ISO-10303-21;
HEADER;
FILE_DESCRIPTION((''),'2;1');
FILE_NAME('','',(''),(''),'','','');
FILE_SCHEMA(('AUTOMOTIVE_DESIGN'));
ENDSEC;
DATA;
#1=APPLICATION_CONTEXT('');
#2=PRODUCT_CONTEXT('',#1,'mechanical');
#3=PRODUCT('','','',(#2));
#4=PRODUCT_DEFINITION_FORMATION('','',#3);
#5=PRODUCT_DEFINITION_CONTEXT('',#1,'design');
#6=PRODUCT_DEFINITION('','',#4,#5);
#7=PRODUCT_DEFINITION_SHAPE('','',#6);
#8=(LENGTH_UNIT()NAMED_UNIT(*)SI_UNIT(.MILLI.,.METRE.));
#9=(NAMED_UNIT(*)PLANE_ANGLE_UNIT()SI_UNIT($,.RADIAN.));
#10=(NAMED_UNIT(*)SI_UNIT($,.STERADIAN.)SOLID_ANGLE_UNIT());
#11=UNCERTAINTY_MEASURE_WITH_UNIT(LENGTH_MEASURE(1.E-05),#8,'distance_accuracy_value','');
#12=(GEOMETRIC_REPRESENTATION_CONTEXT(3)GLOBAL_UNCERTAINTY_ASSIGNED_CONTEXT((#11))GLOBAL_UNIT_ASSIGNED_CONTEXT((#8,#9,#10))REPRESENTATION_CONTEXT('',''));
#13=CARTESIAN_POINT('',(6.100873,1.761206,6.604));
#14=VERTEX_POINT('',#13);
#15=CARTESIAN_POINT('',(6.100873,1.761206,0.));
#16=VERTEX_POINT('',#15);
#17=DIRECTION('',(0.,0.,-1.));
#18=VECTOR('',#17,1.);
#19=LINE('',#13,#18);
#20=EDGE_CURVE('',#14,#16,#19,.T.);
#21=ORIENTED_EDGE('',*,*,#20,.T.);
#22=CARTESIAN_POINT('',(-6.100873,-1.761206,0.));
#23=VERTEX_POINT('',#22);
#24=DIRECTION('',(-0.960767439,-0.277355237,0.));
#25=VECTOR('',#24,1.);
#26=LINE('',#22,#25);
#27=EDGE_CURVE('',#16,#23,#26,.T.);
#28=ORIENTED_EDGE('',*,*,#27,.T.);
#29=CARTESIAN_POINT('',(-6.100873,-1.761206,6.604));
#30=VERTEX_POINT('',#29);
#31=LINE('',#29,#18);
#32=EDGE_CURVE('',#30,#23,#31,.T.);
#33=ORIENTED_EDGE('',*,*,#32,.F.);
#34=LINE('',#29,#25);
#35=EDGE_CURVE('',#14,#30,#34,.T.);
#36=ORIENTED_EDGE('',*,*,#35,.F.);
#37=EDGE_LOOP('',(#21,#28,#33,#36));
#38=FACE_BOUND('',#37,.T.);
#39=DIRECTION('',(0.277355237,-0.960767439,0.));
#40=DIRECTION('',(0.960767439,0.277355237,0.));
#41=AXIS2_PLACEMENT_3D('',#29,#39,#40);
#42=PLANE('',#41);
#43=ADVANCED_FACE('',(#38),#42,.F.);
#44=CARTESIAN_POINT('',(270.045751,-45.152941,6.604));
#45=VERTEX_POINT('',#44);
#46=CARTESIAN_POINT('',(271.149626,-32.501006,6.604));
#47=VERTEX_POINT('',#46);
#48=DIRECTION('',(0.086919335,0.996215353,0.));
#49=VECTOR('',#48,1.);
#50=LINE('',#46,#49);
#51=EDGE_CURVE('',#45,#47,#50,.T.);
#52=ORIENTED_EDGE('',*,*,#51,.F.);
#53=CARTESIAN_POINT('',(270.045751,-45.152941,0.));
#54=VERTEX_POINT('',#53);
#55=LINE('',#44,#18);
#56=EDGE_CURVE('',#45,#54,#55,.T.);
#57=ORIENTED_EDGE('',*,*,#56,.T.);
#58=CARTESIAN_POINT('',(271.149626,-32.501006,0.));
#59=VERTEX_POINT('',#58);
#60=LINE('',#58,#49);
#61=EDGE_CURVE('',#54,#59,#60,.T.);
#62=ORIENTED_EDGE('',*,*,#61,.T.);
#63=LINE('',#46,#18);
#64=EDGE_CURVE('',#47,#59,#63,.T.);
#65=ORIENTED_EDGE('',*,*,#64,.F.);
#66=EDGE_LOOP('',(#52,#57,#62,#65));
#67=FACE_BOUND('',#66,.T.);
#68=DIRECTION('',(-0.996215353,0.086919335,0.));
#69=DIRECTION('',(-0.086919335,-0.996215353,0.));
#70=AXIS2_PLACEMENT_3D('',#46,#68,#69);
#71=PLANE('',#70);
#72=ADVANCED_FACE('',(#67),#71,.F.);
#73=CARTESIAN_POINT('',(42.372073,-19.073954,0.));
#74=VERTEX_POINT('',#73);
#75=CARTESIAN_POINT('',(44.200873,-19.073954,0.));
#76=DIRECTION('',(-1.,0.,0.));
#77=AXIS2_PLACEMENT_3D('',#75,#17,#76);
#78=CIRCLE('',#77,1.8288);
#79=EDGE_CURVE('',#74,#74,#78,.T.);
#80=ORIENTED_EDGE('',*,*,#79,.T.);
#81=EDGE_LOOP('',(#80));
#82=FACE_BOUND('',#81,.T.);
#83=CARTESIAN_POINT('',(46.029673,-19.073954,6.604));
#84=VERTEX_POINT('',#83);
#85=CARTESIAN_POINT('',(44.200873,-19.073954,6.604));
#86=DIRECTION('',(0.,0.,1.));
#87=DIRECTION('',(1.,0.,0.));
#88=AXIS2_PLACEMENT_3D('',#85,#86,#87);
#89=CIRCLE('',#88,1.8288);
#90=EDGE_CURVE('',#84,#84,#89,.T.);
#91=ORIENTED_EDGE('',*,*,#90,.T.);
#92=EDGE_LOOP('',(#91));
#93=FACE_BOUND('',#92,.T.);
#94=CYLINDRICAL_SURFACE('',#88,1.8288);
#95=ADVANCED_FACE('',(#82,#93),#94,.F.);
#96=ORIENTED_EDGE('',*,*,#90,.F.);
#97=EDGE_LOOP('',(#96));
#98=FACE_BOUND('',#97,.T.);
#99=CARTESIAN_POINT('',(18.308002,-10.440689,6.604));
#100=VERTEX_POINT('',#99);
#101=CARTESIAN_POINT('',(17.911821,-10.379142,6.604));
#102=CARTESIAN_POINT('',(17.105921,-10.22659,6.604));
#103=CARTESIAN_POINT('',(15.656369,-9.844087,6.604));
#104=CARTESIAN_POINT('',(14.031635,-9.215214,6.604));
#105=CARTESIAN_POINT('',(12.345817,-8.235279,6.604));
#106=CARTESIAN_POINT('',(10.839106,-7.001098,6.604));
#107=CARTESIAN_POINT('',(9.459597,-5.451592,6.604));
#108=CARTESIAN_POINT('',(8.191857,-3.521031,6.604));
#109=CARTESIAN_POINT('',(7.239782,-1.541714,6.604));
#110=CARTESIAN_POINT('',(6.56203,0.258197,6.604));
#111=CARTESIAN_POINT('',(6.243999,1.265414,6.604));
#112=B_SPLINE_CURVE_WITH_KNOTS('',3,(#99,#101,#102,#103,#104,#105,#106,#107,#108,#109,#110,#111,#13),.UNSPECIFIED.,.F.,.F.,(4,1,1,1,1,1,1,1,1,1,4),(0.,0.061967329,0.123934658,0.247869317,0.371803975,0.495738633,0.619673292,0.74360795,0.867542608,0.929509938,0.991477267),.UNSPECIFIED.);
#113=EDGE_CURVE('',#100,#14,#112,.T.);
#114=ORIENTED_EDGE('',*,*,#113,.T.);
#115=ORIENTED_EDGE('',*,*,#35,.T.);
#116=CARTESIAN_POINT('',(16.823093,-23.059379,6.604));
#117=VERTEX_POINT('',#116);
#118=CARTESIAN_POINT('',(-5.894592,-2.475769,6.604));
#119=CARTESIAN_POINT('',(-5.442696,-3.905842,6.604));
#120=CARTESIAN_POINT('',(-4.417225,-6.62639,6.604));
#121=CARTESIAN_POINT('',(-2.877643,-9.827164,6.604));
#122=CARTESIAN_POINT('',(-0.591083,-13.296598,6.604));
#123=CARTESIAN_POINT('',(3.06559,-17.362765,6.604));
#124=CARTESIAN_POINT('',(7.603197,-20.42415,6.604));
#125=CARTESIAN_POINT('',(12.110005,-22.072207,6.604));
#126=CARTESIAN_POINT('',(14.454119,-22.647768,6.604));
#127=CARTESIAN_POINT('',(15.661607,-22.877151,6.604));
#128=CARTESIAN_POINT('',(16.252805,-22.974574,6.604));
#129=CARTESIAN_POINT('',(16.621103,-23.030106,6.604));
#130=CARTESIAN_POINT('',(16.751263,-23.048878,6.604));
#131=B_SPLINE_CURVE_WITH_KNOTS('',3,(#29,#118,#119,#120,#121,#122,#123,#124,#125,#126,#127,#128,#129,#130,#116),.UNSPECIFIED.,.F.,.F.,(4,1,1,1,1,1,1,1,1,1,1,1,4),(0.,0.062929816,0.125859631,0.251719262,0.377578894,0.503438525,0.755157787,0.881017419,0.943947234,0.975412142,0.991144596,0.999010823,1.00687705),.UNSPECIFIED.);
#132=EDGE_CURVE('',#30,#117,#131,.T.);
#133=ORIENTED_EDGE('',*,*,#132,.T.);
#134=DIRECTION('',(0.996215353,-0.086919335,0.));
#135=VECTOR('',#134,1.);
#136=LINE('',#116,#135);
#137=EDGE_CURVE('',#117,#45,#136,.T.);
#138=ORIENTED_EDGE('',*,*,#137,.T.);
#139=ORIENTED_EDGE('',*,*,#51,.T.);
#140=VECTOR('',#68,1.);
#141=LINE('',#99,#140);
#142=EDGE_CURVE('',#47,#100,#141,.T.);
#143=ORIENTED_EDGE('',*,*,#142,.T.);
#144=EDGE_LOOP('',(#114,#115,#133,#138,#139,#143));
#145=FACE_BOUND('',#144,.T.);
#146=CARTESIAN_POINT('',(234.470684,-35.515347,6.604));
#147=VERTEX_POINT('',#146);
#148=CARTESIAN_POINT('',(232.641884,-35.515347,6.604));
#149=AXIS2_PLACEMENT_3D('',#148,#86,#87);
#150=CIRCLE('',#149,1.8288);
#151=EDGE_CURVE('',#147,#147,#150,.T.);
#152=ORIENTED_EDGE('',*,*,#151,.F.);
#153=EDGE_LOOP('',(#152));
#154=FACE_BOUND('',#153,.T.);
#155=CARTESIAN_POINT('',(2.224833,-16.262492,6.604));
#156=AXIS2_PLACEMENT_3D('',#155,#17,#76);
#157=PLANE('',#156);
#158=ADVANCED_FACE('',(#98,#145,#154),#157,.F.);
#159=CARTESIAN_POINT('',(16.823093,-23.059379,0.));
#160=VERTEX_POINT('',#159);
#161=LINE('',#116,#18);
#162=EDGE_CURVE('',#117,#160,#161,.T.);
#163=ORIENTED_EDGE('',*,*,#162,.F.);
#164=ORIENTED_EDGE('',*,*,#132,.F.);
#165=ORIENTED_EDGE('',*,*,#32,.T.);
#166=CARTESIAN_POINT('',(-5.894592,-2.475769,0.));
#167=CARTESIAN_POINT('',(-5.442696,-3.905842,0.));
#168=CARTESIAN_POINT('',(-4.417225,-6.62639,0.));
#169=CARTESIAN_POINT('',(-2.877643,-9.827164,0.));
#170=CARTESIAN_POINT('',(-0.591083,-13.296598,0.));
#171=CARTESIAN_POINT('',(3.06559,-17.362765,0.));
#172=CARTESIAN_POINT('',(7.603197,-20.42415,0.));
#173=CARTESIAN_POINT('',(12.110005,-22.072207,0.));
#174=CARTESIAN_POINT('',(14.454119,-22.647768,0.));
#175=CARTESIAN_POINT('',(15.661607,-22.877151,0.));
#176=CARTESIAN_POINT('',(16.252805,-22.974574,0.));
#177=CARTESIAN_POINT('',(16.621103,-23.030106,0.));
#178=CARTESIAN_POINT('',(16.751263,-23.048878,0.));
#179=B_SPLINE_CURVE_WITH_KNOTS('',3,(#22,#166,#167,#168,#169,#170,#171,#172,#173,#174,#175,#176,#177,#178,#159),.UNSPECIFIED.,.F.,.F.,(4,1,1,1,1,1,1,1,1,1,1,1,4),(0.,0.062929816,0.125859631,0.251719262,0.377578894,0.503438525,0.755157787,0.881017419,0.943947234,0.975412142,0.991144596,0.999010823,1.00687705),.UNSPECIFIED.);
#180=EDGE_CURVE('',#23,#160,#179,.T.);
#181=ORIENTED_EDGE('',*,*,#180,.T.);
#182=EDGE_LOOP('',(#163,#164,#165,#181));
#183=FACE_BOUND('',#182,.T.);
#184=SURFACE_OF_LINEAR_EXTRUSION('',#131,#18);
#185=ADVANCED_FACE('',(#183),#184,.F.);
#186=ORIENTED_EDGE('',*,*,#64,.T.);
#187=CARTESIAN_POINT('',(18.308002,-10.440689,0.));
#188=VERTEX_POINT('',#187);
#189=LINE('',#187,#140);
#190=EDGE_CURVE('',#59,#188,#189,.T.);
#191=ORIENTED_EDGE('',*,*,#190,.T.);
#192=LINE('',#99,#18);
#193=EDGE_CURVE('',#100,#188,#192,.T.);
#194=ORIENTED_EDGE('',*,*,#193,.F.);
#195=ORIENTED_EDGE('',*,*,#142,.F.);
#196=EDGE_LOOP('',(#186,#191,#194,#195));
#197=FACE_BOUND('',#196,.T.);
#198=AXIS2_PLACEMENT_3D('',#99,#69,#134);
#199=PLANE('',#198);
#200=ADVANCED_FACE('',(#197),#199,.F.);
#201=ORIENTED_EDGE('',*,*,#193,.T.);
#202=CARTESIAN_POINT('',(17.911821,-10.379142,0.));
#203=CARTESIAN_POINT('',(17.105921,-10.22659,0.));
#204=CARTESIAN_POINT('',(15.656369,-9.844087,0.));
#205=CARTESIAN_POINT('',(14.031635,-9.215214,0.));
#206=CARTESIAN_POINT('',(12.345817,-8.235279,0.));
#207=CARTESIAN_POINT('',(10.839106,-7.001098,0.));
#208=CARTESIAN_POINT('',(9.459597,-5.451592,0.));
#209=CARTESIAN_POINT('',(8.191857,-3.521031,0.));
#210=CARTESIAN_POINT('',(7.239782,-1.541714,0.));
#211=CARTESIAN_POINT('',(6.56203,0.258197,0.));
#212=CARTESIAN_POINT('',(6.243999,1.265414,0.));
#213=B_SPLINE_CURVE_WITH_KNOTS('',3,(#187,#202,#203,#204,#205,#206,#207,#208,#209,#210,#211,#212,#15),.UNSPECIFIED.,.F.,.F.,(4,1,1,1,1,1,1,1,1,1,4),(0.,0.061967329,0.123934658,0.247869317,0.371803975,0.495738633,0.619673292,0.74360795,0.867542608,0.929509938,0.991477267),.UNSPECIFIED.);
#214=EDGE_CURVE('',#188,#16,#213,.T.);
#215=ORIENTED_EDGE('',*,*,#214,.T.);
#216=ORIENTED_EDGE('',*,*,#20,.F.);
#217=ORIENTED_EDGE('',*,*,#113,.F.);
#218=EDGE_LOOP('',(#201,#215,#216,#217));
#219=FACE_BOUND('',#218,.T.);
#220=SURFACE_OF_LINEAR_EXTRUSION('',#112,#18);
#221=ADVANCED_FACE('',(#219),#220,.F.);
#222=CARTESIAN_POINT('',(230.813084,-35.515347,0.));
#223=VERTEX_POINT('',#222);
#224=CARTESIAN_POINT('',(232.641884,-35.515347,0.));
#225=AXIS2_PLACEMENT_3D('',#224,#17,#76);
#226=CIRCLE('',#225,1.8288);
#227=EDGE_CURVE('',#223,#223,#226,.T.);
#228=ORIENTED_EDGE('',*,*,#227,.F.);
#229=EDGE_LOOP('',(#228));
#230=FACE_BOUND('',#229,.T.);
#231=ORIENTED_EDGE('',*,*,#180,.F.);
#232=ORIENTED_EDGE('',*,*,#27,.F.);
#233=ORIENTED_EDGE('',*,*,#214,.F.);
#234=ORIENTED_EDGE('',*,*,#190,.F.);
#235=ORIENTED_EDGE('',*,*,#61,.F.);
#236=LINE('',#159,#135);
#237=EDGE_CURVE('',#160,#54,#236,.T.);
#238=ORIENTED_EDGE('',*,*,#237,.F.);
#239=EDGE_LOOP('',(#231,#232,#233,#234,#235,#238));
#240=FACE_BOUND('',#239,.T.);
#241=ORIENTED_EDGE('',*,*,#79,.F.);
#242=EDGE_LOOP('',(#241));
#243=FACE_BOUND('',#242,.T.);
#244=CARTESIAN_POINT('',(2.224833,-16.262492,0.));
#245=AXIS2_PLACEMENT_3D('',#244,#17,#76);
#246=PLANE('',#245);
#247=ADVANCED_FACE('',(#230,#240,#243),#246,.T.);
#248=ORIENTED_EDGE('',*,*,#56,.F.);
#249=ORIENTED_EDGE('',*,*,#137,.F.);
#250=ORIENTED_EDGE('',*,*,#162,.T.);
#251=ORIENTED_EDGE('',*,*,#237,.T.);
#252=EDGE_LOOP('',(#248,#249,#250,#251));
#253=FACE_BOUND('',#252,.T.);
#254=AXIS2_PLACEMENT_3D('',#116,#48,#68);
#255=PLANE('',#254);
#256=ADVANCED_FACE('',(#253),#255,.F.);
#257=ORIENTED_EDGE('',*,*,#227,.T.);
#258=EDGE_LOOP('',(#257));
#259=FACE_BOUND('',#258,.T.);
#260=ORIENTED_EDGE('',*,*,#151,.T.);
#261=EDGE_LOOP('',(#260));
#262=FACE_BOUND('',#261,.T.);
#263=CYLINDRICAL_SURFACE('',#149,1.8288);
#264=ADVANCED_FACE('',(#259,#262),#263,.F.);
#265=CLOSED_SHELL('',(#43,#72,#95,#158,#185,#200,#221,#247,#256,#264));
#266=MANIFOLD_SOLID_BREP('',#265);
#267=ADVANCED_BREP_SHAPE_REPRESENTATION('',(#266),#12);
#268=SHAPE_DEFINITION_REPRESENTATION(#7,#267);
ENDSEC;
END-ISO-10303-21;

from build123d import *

# Parameters (mm, degrees)
BOSS_EXTRUDE1_DEPTH       = 6.604
F_6_CLEARANCE_HOLE1_D     = 3.6576
F_6_CLEARANCE_HOLE1_DEPTH = 10.16
F_6_CLEARANCE_HOLE1_TIP   = 1.0988539


with BuildPart() as part:
    # Sketch1 → Boss-Extrude1 (new body)
    with BuildSketch(Plane.XY):
        with BuildLine():
            Line((16.823092539, -23.059379431), (270.045750863, -45.152940848))
            Line((270.045750863, -45.152940848), (271.149626418, -32.501005867))
            Line((271.149626418, -32.501005867), (18.308001968, -10.440689482))
            add(Edge.make_bspline(
                [(6.100873241, 1.761205752), (6.243998722, 1.265414493), (6.562029623, 0.258197332), (7.239782187, -1.541714319), (8.191856686, -3.521031278), (9.459597024, -5.451591955), (10.839105985, -7.00109828), (12.345816988, -8.235279198), (14.031634784, -9.215214087), (15.656369367, -9.844087266), (17.105920915, -10.226590441), (17.911821211, -10.379141677), (18.308001968, -10.440689482)],
                knots=[0, 0, 0, 0, 0.061967329, 0.123934658, 0.247869317, 0.371803975, 0.495738633, 0.619673292, 0.74360795, 0.867542608, 0.929509938, 0.991477267, 0.991477267, 0.991477267, 0.991477267], degree=3))
            Line((6.100873241, 1.761205752), (-6.100873241, -1.761205752))
            add(Edge.make_bspline(
                [(-6.100873241, -1.761205752), (-5.89459242, -2.475769135), (-5.442695686, -3.905842246), (-4.417225036, -6.62638985), (-2.877642754, -9.827164342), (-0.591083482, -13.296598328), (3.065590072, -17.362765142), (7.603197402, -20.424150011), (12.110004519, -22.072207275), (14.454118771, -22.647767765), (15.661607343, -22.877150547), (16.252804896, -22.974574297), (16.621102903, -23.030106303), (16.751262737, -23.048877832), (16.823092539, -23.059379431)],
                knots=[0, 0, 0, 0, 0.062929816, 0.125859631, 0.251719262, 0.377578894, 0.503438525, 0.755157787, 0.881017419, 0.943947234, 0.975412142, 0.991144596, 0.999010823, 1.00687705, 1.00687705, 1.00687705, 1.00687705], degree=3))
        make_face()
    extrude(amount=BOSS_EXTRUDE1_DEPTH)

    # #6 Clearance Hole1
    with Locations(Plane.XY.offset(6.604)):
        with Locations((232.641883698, -35.515346692), (44.200873241, -19.073954498)):
            Hole(F_6_CLEARANCE_HOLE1_D / 2, depth=F_6_CLEARANCE_HOLE1_DEPTH)
            with Locations((0, 0, -(F_6_CLEARANCE_HOLE1_DEPTH + F_6_CLEARANCE_HOLE1_TIP / 2))):  # 118° drill point
                Cone(0, F_6_CLEARANCE_HOLE1_D / 2, F_6_CLEARANCE_HOLE1_TIP, mode=Mode.SUBTRACT)


solid = part.part
